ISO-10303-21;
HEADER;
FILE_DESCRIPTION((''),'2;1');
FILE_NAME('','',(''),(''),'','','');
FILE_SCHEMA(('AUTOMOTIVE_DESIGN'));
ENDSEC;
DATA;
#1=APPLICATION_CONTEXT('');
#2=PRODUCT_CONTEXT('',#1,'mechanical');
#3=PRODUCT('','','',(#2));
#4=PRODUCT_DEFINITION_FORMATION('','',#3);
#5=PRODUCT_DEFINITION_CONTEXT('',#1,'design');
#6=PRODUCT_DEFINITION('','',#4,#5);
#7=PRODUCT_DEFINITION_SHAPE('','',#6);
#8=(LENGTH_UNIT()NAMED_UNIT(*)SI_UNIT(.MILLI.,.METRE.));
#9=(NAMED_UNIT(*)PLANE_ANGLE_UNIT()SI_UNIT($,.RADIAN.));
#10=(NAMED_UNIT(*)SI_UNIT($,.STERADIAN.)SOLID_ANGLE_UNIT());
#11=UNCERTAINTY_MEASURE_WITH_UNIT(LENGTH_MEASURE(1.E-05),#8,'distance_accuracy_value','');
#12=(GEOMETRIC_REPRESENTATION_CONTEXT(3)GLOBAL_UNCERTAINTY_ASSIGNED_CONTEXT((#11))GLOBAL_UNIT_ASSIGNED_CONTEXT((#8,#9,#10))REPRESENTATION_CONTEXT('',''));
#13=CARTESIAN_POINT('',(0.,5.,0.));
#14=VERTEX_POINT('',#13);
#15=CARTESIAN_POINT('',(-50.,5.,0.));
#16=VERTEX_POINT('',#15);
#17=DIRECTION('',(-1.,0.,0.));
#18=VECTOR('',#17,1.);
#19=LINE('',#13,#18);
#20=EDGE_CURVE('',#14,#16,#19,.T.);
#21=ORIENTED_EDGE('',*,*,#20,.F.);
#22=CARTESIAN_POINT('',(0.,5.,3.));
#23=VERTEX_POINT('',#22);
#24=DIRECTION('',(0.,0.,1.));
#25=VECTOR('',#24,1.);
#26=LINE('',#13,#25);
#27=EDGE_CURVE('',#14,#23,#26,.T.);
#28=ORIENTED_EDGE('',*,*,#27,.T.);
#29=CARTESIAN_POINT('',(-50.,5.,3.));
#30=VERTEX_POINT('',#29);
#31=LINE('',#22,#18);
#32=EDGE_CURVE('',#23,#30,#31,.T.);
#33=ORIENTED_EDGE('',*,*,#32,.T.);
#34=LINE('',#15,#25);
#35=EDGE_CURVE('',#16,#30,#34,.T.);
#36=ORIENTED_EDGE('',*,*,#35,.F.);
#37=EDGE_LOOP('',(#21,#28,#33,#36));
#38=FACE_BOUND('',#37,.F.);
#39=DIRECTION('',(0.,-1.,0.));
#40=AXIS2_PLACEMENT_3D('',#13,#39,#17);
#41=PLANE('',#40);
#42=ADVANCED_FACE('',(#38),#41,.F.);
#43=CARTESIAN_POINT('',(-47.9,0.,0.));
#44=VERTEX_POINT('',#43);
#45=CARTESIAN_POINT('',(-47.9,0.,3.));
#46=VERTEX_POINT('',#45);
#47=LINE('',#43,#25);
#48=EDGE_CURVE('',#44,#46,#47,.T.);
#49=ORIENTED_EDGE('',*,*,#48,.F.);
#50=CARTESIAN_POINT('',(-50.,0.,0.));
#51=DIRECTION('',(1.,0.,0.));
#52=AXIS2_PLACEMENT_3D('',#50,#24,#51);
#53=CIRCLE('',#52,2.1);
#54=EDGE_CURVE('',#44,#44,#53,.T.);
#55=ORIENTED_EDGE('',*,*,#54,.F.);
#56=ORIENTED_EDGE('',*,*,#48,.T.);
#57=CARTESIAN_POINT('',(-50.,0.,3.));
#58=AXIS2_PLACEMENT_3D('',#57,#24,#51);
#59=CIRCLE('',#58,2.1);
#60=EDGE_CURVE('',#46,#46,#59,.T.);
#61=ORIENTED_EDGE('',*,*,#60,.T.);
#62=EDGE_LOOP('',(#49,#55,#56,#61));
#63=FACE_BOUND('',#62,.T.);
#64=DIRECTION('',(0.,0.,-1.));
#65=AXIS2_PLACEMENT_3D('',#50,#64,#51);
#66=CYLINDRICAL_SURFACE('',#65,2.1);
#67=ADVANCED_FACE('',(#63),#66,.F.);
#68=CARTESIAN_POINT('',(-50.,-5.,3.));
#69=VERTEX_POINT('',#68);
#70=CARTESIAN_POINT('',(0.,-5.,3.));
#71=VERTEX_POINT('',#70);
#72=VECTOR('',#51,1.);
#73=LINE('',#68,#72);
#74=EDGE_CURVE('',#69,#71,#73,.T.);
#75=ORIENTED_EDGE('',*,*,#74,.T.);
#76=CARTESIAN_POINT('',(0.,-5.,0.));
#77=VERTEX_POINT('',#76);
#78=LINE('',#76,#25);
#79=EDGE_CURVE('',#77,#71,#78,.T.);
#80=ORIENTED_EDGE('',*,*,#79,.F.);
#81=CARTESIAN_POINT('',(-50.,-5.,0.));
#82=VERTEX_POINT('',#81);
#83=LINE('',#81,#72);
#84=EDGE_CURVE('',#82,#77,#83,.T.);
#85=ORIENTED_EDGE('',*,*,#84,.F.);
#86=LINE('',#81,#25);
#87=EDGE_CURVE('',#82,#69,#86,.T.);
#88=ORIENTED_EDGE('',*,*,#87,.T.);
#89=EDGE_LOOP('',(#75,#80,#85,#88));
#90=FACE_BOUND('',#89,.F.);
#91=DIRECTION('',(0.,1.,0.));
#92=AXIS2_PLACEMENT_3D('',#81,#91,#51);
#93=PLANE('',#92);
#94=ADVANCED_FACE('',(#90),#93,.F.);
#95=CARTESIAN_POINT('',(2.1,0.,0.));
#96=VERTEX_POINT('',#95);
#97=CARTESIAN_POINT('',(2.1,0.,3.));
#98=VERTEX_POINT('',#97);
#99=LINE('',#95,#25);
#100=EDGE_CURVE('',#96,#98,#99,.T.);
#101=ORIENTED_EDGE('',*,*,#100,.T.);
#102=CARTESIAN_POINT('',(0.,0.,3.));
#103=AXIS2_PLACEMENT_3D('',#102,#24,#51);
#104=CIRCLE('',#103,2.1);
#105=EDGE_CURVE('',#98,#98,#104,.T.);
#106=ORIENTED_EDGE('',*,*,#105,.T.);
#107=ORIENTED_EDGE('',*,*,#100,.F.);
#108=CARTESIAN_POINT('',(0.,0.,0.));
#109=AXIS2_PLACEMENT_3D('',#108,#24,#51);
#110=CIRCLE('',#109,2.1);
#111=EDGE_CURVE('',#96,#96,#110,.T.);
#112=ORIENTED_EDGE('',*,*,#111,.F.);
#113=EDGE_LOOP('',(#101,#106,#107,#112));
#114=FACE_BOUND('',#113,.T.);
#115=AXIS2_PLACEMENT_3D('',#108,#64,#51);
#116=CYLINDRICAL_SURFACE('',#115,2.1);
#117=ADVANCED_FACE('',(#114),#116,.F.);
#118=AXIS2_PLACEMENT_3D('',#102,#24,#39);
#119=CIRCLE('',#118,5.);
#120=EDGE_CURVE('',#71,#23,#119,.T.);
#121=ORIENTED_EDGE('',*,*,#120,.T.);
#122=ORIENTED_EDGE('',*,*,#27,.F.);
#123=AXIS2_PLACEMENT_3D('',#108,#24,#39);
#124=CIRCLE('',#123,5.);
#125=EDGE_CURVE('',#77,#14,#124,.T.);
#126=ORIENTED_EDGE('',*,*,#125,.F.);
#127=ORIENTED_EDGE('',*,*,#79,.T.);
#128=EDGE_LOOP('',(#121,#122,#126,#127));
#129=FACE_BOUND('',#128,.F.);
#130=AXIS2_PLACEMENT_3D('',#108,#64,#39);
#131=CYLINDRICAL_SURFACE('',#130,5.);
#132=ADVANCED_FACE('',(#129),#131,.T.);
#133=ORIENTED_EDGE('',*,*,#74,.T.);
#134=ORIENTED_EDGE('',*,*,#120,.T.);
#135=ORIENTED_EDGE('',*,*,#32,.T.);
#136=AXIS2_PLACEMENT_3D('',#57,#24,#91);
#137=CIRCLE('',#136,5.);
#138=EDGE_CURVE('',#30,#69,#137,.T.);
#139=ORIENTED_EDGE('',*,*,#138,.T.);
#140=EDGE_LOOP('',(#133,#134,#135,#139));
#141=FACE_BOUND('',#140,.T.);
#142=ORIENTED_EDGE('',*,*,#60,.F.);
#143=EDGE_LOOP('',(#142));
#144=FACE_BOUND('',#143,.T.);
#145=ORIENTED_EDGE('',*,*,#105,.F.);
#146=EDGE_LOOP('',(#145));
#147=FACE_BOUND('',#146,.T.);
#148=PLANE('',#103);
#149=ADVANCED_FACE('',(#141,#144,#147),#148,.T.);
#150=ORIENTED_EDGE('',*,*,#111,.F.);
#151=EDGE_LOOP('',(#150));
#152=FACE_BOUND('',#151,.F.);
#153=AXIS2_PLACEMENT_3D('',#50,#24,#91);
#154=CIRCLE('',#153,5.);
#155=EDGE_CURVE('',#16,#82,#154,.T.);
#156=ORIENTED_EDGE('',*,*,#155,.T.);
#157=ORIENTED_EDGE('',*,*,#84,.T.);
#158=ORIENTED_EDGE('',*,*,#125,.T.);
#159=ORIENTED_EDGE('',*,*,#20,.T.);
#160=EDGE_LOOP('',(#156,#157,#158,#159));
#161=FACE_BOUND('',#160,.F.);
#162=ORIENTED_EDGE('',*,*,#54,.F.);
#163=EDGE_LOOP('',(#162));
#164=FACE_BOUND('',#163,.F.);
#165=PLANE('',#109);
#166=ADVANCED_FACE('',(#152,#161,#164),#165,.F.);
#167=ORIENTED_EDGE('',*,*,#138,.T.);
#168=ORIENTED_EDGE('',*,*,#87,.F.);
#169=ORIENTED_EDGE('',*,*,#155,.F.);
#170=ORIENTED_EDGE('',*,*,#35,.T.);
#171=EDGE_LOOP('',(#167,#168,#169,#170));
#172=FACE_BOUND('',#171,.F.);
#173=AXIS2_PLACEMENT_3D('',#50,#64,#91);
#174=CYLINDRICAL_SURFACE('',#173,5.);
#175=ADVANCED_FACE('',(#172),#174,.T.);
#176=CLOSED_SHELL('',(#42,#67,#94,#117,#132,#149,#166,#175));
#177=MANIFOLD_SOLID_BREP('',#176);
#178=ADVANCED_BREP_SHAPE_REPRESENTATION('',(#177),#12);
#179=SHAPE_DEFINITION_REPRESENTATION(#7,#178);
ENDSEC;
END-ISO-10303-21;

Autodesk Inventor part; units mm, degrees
ref_plane "YZ Plane" through (0, 0, 0) normal (1, 0, 0) x (0, 1, 0)
ref_plane "XZ Plane" through (0, 0, 0) normal (0, 1, 0) x (-1, 0, 0)
ref_plane "XY Plane" through (0, 0, 0) normal (0, 0, 1) x (1, 0, 0)
sketch "草圖1" plane through (0, 0, 0) normal (0, 0, 1) x (1, 0, 0)
  line L0 (-50, 0) -> (0, 0) construction
  line L1 (-50, -5) -> (0, -5)
  line L2 (0, 5) -> (-50, 5)
  arc A0 (-50, 5) -> (-50, -5) centre (-50, 0) ccw
  arc A1 (0, -5) -> (0, 5) centre (0, 0) ccw
  circle A2 centre (-50, 0) radius 2.1
  circle A3 centre (0, 0) radius 2.1
  dimension "d0" = 50
  dimension "d1" = 10
  dimension "d2" = 4.2
  dimension "d3" = 4.2
extrude "擠出1" add sketch "草圖1" along normal blind 3
